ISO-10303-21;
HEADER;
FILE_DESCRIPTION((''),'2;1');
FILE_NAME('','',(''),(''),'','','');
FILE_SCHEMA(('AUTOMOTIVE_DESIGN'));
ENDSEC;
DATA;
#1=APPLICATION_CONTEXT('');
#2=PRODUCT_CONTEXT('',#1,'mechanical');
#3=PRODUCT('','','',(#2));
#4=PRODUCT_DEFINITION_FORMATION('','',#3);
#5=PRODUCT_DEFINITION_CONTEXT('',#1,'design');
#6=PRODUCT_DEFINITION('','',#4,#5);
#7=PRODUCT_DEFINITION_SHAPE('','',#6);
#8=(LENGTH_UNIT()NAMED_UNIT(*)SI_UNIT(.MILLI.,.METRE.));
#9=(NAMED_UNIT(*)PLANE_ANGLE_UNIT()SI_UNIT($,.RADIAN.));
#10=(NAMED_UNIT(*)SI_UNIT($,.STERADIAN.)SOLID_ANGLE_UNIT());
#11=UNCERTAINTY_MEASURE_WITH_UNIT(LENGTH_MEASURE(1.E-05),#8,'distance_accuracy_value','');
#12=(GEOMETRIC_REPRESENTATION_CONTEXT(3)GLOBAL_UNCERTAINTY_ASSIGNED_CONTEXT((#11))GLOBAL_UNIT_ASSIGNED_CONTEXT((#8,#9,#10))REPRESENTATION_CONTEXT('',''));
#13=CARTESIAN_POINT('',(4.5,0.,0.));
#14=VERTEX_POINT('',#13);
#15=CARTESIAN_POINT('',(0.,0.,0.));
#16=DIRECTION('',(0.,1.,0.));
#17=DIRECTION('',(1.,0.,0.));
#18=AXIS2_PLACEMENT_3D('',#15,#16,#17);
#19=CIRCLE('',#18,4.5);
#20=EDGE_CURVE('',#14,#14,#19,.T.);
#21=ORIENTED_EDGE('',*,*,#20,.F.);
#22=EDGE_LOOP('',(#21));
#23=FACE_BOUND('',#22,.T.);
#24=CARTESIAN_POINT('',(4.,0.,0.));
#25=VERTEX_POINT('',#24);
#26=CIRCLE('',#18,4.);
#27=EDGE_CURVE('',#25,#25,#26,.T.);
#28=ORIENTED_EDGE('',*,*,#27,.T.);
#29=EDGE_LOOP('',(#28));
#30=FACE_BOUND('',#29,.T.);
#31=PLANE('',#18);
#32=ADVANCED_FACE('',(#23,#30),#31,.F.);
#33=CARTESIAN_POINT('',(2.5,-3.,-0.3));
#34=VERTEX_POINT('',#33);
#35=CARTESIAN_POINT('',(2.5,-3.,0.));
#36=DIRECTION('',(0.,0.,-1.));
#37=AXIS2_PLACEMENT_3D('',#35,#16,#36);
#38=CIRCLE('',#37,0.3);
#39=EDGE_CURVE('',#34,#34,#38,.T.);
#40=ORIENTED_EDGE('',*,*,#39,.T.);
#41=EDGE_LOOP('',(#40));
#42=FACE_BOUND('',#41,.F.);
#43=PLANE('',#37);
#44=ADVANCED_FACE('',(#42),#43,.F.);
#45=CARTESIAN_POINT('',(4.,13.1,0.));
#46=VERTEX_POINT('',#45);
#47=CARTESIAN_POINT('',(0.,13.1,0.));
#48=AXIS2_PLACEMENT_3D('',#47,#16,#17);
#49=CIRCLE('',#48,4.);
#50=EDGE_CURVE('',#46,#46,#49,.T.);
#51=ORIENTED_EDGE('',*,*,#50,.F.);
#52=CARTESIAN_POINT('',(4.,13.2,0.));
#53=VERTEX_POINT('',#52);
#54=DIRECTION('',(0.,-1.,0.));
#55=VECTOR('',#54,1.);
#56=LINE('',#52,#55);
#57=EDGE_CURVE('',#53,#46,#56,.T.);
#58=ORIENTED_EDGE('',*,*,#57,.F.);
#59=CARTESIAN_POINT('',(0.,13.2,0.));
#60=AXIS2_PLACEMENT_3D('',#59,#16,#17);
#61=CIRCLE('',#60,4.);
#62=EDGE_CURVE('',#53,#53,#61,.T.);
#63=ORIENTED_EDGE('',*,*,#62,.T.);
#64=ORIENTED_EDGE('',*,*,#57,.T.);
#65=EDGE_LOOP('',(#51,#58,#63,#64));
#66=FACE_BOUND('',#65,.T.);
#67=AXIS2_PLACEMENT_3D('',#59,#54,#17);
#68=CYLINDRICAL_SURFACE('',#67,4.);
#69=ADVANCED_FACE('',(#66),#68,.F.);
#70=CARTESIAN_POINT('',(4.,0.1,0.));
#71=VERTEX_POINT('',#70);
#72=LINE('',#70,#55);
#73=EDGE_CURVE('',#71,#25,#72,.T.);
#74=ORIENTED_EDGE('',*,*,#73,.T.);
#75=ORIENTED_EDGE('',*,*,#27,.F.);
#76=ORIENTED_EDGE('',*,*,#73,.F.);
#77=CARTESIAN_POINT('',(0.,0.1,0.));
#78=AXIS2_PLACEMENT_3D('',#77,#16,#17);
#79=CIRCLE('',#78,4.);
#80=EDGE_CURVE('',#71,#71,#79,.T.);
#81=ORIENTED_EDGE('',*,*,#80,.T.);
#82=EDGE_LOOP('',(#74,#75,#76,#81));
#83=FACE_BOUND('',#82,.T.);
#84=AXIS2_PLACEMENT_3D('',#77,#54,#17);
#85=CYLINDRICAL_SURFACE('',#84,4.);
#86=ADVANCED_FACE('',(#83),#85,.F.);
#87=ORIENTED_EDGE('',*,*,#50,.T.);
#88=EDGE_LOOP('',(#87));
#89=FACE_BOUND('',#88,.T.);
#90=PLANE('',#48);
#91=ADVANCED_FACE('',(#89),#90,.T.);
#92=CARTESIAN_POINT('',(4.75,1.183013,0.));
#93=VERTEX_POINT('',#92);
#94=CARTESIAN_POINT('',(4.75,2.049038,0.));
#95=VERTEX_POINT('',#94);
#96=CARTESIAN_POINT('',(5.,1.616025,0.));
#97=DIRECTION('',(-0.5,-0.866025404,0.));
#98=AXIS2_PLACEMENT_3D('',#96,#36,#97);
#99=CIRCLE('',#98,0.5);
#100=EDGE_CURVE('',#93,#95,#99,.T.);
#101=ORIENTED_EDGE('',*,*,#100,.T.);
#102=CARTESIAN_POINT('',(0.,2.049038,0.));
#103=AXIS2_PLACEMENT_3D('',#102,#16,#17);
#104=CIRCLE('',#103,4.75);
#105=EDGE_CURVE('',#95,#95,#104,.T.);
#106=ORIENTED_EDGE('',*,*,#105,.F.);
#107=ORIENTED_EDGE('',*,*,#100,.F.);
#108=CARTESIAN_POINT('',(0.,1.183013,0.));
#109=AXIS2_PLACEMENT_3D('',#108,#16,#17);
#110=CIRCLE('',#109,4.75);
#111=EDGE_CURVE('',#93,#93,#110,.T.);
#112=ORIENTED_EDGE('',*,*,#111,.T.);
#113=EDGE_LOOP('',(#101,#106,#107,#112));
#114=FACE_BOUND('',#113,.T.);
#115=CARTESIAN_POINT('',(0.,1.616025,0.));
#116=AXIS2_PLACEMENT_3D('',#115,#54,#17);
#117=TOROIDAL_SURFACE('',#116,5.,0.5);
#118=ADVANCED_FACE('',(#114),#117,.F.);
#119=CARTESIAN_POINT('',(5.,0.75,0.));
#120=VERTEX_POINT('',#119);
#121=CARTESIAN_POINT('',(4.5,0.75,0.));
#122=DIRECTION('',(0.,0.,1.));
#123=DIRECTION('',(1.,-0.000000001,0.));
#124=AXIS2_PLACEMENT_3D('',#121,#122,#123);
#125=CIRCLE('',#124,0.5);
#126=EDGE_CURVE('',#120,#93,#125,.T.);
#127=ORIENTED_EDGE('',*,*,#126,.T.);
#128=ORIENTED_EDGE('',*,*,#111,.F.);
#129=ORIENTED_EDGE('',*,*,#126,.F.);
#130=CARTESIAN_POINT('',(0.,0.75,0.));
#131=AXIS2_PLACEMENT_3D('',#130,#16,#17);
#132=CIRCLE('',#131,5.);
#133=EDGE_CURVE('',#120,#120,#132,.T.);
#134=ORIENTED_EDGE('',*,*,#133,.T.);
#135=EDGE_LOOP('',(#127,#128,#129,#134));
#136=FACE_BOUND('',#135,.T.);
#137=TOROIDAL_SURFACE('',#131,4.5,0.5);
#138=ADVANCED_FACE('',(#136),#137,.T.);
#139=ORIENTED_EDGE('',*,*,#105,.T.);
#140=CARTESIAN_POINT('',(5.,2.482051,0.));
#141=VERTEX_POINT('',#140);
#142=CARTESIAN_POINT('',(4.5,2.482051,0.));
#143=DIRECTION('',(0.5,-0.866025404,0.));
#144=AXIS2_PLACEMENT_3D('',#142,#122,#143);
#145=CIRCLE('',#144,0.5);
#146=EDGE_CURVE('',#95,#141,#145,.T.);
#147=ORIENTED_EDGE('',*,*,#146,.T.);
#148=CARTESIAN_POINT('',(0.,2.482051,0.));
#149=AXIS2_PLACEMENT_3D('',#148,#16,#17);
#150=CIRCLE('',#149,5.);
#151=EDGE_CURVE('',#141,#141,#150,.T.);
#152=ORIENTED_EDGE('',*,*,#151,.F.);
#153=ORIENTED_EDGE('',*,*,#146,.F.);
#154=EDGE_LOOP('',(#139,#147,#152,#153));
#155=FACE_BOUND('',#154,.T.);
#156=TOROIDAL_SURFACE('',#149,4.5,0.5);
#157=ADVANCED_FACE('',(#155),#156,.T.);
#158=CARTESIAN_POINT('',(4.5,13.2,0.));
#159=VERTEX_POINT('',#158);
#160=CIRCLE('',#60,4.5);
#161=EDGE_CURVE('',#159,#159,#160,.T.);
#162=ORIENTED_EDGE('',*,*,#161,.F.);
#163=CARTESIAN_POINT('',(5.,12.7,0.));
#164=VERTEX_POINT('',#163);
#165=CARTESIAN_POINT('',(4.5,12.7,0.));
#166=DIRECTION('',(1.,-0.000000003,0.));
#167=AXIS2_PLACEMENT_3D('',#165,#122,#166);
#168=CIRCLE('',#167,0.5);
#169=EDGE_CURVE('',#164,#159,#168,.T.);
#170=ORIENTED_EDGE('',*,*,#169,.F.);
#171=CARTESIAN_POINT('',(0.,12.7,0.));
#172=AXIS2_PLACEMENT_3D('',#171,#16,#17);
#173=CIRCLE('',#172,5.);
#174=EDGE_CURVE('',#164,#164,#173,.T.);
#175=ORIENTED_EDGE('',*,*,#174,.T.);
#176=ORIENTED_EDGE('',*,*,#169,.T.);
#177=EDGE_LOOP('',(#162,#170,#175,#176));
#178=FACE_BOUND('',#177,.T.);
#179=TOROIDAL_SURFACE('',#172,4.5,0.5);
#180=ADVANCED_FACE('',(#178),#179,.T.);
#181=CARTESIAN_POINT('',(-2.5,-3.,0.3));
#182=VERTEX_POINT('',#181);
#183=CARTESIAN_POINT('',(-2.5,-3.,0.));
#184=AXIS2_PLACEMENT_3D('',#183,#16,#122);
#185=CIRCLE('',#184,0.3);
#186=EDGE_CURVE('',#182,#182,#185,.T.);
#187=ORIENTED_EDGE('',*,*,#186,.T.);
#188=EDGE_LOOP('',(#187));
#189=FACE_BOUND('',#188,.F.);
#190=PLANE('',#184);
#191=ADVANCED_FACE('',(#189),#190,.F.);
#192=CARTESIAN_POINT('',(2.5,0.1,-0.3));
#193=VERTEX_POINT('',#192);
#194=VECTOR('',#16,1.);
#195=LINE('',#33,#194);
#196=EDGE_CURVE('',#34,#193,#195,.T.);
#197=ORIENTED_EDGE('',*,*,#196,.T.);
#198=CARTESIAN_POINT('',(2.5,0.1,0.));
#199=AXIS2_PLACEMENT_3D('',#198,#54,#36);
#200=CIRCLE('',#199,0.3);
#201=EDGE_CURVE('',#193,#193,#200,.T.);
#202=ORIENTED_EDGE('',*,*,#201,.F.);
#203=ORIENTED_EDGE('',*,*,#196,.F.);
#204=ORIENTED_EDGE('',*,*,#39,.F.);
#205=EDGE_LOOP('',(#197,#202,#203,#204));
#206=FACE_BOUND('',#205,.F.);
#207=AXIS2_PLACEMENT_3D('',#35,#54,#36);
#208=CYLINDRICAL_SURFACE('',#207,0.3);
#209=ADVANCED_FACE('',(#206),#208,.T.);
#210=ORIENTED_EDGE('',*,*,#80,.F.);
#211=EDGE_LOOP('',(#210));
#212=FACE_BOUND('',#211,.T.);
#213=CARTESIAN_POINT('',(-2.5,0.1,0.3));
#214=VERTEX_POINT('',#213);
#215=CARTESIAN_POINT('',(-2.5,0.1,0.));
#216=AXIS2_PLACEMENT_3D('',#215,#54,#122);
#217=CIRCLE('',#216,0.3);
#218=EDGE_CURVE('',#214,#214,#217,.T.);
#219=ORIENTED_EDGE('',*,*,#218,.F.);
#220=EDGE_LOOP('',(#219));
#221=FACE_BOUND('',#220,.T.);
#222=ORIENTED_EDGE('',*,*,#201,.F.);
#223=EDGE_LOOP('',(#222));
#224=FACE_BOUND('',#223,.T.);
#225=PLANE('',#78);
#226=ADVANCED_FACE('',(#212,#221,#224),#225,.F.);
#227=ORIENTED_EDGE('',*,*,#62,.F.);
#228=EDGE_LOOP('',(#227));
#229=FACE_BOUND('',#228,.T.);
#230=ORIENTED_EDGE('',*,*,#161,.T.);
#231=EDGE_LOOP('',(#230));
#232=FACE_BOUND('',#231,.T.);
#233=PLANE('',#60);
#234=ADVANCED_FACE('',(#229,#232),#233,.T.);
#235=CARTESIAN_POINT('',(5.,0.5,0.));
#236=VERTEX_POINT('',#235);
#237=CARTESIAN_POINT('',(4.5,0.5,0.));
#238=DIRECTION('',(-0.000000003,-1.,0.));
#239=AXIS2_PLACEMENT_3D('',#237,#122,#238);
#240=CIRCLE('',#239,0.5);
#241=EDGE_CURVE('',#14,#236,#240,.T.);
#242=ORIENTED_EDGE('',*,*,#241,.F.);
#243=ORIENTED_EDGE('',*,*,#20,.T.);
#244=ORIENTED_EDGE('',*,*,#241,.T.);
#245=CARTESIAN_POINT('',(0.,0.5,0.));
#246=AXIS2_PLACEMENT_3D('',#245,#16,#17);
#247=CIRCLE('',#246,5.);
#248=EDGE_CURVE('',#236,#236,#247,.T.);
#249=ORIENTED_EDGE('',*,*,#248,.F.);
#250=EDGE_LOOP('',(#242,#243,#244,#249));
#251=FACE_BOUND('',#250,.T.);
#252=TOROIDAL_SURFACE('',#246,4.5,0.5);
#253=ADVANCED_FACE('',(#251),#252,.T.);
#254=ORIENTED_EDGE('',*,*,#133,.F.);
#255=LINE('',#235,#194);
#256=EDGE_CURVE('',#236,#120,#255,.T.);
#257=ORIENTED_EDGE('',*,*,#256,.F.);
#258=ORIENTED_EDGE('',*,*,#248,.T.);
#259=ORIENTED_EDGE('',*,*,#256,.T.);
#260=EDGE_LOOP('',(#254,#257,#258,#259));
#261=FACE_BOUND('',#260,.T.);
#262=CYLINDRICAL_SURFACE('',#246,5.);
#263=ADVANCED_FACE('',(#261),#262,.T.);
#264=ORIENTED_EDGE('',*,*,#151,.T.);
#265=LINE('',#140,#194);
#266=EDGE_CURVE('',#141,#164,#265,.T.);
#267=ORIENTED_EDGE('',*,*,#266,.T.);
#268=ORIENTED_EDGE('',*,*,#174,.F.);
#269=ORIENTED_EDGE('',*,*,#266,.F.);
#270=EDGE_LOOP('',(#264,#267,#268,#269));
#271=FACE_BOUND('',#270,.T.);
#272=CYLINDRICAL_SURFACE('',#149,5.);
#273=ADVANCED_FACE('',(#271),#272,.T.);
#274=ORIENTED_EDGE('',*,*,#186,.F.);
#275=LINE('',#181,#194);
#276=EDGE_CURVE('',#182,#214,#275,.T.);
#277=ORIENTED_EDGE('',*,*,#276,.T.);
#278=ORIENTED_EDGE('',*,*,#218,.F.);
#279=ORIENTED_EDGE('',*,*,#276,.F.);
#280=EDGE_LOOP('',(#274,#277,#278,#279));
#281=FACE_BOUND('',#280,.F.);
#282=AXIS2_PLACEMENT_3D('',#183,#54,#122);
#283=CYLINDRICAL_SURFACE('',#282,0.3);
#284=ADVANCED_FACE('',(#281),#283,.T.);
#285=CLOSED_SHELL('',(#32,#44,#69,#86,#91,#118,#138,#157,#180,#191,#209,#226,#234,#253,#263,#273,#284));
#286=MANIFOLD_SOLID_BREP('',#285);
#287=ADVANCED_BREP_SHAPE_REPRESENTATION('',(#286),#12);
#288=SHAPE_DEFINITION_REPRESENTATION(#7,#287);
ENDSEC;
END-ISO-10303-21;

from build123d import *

# Parameters (mm, degrees)
BOSS_EXTRUDE1_DEPTH        = 1
BOSS_EXTRUDE1_DEPTH_BACK   = 3
SKETCH1_R                  = 0.3
BOSS_EXTRUDE1_2_DEPTH      = 1
BOSS_EXTRUDE1_2_DEPTH_BACK = 3


with BuildPart() as part:
    # Sketch1 → Boss-Extrude1 (new, two sides: drawn at the far end of the back side and taken through both)
    with BuildSketch(Plane(origin=(0, 0, 0), x_dir=(1, 0, 0), z_dir=(0, 1, 0)).offset(-BOSS_EXTRUDE1_DEPTH_BACK)):
        with Locations(Location((-2.5, 0, 0), (0, 0, 270))):
            Circle(SKETCH1_R)
    extrude(amount=BOSS_EXTRUDE1_DEPTH + BOSS_EXTRUDE1_DEPTH_BACK)



with BuildPart() as body_2:
    # Sketch1 → Boss-Extrude1 2 (new, two sides: drawn at the far end of the back side and taken through both)
    with BuildSketch(Plane(origin=(0, 0, 0), x_dir=(1, 0, 0), z_dir=(0, 1, 0)).offset(-BOSS_EXTRUDE1_2_DEPTH_BACK)):
        with Locations(Location((2.5, 0, 0), (0, 0, 90))):
            Circle(SKETCH1_R)
    extrude(amount=BOSS_EXTRUDE1_2_DEPTH + BOSS_EXTRUDE1_2_DEPTH_BACK)


with BuildPart() as part_1:
    add(part.part)

    add(body_2.part)  # Revolve1 merges body 2
    # Sketch3 → Revolve1 (revolve)
    with BuildSketch(Plane.XY):
        with BuildLine():
            Line((5, 0.5), (5, 0.75))
            ThreePointArc((5, 0.75), (4.933012702, 1), (4.75, 1.183012702))
            ThreePointArc((4.75, 1.183012702), (4.5, 1.616025404), (4.75, 2.049038106))
            ThreePointArc((4.75, 2.049038106), (4.933012702, 2.232050808), (5, 2.482050808))
            Line((5, 2.482050808), (5, 12.7))
            ThreePointArc((5, 12.7), (4.853553391, 13.053553391), (4.5, 13.2))
            Line((4.5, 13.2), (4, 13.2))
            Line((4, 13.2), (4, 13.1))
            Line((4, 13.1), (0, 13.1))
            Line((0, 13.1), (0, 0.1))
            Line((0, 0.1), (4, 0.1))
            Line((4, 0.1), (4, 0))
            Line((4, 0), (4.5, 0))
            ThreePointArc((4.5, 0), (4.853553391, 0.146446609), (5, 0.5))
        make_face()
    revolve(axis=Axis((0, 0.1, 0), (0, 1, 0)))


solid = part_1.part
